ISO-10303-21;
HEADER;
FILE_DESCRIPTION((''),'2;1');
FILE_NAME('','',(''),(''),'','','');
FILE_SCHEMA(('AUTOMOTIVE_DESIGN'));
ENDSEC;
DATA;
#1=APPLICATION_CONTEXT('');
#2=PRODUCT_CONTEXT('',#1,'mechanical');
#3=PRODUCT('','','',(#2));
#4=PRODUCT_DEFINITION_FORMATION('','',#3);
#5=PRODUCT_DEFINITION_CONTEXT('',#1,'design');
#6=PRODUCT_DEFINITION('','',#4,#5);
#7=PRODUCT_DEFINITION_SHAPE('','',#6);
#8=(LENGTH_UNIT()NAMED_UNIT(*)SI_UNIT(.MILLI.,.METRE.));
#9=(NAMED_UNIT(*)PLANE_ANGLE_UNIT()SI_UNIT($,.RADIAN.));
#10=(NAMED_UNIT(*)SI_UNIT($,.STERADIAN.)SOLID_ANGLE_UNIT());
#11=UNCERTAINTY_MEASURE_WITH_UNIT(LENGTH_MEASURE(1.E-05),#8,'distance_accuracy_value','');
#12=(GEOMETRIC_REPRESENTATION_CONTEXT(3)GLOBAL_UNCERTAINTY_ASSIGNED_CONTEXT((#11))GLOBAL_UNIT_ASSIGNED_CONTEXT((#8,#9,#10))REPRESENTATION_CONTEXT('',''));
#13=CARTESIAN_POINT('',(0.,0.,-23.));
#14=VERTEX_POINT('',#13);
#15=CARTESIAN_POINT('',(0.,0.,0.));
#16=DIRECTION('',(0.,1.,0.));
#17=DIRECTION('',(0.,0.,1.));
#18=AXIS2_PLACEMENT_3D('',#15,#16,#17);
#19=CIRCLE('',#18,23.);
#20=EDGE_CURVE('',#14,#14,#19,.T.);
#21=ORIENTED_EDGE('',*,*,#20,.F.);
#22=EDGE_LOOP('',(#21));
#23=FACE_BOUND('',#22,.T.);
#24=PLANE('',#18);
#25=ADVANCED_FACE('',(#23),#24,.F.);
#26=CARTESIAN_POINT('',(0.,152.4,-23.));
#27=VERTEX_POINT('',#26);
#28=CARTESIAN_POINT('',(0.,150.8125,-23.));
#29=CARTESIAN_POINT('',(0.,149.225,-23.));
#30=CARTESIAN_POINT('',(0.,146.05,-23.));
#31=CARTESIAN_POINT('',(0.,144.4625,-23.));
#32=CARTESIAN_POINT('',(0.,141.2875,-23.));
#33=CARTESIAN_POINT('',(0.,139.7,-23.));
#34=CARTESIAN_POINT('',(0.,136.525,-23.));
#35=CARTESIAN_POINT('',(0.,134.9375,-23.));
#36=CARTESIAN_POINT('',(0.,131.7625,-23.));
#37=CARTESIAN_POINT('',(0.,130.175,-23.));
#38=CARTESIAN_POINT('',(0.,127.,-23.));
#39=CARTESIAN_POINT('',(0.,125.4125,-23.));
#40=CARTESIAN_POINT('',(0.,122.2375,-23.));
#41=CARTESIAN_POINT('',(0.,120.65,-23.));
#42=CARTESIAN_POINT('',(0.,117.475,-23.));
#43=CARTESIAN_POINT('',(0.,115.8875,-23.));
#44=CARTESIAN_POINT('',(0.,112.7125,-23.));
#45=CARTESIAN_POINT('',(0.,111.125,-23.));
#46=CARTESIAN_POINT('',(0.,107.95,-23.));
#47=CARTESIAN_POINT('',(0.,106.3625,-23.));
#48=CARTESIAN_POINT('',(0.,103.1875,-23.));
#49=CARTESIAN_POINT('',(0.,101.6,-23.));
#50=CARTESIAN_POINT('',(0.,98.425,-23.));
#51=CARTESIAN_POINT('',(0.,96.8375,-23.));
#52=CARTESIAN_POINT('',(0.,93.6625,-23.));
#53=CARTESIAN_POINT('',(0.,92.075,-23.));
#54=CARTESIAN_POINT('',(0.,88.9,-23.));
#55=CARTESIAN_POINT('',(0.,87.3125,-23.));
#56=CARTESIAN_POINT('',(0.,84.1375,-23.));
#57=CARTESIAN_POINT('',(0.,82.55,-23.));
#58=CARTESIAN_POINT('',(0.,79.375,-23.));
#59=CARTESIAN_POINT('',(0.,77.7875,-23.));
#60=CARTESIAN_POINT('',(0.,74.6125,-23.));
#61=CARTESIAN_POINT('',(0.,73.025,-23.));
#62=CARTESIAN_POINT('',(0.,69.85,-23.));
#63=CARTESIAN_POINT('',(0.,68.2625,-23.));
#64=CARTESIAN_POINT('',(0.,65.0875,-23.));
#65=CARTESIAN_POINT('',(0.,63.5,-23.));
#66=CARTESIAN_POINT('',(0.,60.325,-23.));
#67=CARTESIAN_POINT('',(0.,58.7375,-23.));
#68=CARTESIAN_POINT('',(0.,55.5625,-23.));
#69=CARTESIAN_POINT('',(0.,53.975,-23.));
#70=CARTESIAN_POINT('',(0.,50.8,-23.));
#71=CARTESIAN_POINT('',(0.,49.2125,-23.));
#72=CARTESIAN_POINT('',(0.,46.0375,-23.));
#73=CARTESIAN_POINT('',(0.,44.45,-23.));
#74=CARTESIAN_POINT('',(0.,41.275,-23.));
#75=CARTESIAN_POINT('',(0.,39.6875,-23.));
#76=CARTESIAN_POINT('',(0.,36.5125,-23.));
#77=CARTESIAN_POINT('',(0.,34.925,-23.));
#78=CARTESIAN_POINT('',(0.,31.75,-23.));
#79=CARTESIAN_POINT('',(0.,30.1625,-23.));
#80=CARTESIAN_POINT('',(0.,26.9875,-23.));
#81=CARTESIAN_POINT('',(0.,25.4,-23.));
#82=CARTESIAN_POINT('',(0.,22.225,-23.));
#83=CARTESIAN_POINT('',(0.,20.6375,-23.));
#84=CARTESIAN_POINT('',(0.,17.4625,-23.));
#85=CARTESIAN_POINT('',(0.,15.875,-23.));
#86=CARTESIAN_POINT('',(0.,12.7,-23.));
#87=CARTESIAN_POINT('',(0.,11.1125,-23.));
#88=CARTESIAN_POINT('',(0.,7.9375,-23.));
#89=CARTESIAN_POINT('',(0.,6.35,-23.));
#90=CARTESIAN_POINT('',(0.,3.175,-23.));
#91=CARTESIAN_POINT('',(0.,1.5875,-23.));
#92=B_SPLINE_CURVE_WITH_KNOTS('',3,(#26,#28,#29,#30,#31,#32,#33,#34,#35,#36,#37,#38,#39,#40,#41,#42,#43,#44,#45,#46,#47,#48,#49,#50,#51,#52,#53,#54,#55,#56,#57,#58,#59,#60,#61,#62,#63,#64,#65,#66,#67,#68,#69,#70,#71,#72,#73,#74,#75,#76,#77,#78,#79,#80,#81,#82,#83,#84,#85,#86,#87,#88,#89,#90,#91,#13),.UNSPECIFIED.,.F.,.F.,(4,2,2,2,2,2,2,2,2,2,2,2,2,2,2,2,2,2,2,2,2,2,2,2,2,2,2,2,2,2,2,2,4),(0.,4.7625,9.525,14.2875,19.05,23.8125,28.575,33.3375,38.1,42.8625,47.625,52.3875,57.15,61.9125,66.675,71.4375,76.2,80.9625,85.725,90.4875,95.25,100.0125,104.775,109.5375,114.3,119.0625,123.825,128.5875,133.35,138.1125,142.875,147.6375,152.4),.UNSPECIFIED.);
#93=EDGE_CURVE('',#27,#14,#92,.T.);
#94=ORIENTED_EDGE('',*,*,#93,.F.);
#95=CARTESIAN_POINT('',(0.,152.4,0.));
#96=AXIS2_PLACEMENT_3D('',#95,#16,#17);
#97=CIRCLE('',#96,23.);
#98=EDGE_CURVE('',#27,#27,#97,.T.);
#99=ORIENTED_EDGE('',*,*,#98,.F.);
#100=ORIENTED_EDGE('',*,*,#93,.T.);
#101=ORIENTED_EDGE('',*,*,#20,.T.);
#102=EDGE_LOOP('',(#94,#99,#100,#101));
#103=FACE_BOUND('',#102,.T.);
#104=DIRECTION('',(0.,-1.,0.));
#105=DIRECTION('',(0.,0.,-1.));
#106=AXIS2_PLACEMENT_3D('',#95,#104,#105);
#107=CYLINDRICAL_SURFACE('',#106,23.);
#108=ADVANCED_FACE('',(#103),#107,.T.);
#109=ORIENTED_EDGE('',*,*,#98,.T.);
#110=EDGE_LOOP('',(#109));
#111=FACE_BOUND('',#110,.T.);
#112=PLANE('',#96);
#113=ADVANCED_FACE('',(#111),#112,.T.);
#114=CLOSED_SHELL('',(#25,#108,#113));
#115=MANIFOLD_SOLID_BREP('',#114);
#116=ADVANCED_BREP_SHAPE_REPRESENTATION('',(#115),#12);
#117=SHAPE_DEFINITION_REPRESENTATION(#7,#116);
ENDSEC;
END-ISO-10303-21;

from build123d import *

# Parameters (mm, degrees)
SKETCH2_R           = 23
BOSS_EXTRUDE1_DEPTH = 152.4


with BuildPart() as part:
    # Sketch2 → Boss-Extrude1 (new body)
    with BuildSketch(Plane(origin=(0, 0, 0), x_dir=(1, 0, 0), z_dir=(0, 1, 0))):
        with Locations(Location((0, 0, 0), (0, 0, 90))):
            Circle(SKETCH2_R)
    extrude(amount=BOSS_EXTRUDE1_DEPTH)


solid = part.part
